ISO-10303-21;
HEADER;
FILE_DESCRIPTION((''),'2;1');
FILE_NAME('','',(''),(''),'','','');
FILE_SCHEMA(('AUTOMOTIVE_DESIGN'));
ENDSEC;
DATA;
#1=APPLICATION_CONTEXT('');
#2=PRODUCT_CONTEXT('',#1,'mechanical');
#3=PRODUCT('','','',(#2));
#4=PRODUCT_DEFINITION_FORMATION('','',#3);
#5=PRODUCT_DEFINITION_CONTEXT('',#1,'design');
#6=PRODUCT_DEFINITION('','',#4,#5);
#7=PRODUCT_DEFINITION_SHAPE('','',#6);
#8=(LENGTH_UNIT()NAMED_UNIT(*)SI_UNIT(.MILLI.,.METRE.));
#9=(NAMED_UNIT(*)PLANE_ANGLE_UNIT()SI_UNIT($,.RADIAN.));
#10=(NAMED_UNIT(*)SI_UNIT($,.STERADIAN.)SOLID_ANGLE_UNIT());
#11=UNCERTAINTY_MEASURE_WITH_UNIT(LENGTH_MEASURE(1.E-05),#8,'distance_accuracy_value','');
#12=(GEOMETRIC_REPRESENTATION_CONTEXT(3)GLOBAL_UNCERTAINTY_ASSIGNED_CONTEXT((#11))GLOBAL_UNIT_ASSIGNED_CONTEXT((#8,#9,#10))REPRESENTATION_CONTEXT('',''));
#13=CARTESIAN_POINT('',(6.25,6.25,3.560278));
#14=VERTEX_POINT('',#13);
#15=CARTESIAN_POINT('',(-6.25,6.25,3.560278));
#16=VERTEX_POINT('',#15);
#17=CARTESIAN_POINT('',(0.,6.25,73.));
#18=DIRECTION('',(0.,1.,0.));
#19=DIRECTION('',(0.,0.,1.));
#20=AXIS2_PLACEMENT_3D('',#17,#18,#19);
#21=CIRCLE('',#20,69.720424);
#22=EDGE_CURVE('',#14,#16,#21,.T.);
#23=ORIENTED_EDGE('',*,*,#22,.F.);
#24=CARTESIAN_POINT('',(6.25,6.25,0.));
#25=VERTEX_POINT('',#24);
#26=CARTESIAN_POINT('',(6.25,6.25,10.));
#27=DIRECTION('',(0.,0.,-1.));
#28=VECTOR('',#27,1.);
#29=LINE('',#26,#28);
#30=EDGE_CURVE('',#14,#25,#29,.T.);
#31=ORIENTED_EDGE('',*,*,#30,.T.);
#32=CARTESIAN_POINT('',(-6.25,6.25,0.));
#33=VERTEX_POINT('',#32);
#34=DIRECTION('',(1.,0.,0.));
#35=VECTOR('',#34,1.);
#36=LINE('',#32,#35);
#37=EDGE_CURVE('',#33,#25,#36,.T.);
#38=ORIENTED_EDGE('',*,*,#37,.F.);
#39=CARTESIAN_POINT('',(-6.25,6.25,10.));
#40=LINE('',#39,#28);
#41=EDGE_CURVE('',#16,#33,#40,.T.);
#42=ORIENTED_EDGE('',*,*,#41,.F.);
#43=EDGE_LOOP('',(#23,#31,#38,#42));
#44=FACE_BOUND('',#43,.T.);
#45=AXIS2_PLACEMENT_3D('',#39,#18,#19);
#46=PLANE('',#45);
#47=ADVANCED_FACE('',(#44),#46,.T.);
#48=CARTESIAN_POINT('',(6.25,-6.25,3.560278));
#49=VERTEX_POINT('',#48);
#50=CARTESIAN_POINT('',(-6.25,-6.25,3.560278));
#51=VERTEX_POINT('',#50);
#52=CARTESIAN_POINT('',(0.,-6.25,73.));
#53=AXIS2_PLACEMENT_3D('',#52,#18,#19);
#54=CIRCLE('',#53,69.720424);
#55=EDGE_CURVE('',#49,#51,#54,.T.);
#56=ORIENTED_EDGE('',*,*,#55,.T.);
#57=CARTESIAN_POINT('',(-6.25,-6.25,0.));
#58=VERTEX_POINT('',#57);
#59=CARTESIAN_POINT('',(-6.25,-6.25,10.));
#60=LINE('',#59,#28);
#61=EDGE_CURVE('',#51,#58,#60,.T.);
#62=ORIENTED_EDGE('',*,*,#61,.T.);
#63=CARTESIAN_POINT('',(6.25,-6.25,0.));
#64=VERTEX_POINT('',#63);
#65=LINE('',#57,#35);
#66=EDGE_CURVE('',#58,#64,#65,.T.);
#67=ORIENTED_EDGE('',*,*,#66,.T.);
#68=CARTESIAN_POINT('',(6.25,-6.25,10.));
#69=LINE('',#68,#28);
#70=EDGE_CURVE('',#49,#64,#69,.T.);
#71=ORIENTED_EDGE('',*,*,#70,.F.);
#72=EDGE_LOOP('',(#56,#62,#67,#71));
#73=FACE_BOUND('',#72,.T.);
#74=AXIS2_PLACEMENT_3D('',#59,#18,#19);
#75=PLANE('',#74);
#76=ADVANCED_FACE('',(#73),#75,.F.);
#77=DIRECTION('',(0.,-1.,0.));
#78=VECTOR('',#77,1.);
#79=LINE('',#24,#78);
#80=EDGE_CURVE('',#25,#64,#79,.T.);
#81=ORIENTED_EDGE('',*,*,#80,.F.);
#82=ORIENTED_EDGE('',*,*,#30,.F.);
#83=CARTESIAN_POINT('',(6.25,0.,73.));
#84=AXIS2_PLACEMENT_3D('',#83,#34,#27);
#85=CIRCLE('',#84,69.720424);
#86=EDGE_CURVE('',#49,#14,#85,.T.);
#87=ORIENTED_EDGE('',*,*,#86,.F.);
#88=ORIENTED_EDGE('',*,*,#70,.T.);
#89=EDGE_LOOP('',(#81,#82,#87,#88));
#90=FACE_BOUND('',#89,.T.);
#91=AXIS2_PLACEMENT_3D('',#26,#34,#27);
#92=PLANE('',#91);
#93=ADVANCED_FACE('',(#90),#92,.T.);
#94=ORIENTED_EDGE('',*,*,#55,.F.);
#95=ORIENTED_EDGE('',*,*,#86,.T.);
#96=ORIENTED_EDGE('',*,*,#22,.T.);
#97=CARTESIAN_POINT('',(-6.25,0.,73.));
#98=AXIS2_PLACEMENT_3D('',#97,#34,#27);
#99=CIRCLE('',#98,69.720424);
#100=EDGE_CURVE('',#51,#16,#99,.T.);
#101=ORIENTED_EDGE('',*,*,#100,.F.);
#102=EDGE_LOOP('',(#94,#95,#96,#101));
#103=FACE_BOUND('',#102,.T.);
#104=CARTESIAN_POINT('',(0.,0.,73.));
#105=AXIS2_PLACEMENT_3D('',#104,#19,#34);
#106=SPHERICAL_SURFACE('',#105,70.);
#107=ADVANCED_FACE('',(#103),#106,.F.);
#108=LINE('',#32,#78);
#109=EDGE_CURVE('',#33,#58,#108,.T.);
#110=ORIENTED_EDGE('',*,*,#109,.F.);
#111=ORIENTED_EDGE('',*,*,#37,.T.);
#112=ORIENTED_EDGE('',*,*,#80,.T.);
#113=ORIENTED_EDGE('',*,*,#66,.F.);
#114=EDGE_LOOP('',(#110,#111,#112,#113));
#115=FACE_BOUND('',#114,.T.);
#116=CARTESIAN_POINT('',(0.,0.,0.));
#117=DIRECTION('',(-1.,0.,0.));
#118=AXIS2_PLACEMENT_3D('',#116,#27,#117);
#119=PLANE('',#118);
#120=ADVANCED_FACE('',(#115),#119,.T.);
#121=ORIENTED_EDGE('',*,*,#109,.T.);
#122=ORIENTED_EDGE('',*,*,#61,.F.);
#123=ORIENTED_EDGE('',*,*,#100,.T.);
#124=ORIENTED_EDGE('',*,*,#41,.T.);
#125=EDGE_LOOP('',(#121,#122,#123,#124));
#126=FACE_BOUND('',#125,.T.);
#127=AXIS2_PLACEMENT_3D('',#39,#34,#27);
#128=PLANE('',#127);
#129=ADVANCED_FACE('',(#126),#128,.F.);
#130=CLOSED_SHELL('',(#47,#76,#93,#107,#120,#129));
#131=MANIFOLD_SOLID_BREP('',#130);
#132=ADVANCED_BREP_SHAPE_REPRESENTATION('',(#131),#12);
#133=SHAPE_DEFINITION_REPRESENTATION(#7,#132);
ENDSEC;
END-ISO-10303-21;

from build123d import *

# Parameters (mm, degrees)
SKETCH_1_W      = 12.5
SKETCH_1_H      = 12.5
EXTRUDE_1_DEPTH = 10


with BuildPart() as part:
    # 草图1 → 凸台-拉伸1 (new body)
    with BuildSketch(Plane.XY):
        Rectangle(SKETCH_1_W, SKETCH_1_H)
    extrude(amount=EXTRUDE_1_DEPTH)

    # 草图2 → 切除-旋转2 (revolve, cut)
    with BuildSketch(Plane(origin=(0, 0, 0), x_dir=(1, 0, 0), z_dir=(0, 1, 0))):
        with BuildLine():
            Line((68.239182327, -57.398269476), (0, -57.398269476))
            Line((0, -57.398269476), (0, -3))
            ThreePointArc((0, -3), (43.634154417, -18.263717989), (68.239182327, -57.398269476))
        make_face()
    revolve(axis=Axis((0, 0, 57.398269476), (0, 0, -1)), mode=Mode.SUBTRACT)


solid = part.part
